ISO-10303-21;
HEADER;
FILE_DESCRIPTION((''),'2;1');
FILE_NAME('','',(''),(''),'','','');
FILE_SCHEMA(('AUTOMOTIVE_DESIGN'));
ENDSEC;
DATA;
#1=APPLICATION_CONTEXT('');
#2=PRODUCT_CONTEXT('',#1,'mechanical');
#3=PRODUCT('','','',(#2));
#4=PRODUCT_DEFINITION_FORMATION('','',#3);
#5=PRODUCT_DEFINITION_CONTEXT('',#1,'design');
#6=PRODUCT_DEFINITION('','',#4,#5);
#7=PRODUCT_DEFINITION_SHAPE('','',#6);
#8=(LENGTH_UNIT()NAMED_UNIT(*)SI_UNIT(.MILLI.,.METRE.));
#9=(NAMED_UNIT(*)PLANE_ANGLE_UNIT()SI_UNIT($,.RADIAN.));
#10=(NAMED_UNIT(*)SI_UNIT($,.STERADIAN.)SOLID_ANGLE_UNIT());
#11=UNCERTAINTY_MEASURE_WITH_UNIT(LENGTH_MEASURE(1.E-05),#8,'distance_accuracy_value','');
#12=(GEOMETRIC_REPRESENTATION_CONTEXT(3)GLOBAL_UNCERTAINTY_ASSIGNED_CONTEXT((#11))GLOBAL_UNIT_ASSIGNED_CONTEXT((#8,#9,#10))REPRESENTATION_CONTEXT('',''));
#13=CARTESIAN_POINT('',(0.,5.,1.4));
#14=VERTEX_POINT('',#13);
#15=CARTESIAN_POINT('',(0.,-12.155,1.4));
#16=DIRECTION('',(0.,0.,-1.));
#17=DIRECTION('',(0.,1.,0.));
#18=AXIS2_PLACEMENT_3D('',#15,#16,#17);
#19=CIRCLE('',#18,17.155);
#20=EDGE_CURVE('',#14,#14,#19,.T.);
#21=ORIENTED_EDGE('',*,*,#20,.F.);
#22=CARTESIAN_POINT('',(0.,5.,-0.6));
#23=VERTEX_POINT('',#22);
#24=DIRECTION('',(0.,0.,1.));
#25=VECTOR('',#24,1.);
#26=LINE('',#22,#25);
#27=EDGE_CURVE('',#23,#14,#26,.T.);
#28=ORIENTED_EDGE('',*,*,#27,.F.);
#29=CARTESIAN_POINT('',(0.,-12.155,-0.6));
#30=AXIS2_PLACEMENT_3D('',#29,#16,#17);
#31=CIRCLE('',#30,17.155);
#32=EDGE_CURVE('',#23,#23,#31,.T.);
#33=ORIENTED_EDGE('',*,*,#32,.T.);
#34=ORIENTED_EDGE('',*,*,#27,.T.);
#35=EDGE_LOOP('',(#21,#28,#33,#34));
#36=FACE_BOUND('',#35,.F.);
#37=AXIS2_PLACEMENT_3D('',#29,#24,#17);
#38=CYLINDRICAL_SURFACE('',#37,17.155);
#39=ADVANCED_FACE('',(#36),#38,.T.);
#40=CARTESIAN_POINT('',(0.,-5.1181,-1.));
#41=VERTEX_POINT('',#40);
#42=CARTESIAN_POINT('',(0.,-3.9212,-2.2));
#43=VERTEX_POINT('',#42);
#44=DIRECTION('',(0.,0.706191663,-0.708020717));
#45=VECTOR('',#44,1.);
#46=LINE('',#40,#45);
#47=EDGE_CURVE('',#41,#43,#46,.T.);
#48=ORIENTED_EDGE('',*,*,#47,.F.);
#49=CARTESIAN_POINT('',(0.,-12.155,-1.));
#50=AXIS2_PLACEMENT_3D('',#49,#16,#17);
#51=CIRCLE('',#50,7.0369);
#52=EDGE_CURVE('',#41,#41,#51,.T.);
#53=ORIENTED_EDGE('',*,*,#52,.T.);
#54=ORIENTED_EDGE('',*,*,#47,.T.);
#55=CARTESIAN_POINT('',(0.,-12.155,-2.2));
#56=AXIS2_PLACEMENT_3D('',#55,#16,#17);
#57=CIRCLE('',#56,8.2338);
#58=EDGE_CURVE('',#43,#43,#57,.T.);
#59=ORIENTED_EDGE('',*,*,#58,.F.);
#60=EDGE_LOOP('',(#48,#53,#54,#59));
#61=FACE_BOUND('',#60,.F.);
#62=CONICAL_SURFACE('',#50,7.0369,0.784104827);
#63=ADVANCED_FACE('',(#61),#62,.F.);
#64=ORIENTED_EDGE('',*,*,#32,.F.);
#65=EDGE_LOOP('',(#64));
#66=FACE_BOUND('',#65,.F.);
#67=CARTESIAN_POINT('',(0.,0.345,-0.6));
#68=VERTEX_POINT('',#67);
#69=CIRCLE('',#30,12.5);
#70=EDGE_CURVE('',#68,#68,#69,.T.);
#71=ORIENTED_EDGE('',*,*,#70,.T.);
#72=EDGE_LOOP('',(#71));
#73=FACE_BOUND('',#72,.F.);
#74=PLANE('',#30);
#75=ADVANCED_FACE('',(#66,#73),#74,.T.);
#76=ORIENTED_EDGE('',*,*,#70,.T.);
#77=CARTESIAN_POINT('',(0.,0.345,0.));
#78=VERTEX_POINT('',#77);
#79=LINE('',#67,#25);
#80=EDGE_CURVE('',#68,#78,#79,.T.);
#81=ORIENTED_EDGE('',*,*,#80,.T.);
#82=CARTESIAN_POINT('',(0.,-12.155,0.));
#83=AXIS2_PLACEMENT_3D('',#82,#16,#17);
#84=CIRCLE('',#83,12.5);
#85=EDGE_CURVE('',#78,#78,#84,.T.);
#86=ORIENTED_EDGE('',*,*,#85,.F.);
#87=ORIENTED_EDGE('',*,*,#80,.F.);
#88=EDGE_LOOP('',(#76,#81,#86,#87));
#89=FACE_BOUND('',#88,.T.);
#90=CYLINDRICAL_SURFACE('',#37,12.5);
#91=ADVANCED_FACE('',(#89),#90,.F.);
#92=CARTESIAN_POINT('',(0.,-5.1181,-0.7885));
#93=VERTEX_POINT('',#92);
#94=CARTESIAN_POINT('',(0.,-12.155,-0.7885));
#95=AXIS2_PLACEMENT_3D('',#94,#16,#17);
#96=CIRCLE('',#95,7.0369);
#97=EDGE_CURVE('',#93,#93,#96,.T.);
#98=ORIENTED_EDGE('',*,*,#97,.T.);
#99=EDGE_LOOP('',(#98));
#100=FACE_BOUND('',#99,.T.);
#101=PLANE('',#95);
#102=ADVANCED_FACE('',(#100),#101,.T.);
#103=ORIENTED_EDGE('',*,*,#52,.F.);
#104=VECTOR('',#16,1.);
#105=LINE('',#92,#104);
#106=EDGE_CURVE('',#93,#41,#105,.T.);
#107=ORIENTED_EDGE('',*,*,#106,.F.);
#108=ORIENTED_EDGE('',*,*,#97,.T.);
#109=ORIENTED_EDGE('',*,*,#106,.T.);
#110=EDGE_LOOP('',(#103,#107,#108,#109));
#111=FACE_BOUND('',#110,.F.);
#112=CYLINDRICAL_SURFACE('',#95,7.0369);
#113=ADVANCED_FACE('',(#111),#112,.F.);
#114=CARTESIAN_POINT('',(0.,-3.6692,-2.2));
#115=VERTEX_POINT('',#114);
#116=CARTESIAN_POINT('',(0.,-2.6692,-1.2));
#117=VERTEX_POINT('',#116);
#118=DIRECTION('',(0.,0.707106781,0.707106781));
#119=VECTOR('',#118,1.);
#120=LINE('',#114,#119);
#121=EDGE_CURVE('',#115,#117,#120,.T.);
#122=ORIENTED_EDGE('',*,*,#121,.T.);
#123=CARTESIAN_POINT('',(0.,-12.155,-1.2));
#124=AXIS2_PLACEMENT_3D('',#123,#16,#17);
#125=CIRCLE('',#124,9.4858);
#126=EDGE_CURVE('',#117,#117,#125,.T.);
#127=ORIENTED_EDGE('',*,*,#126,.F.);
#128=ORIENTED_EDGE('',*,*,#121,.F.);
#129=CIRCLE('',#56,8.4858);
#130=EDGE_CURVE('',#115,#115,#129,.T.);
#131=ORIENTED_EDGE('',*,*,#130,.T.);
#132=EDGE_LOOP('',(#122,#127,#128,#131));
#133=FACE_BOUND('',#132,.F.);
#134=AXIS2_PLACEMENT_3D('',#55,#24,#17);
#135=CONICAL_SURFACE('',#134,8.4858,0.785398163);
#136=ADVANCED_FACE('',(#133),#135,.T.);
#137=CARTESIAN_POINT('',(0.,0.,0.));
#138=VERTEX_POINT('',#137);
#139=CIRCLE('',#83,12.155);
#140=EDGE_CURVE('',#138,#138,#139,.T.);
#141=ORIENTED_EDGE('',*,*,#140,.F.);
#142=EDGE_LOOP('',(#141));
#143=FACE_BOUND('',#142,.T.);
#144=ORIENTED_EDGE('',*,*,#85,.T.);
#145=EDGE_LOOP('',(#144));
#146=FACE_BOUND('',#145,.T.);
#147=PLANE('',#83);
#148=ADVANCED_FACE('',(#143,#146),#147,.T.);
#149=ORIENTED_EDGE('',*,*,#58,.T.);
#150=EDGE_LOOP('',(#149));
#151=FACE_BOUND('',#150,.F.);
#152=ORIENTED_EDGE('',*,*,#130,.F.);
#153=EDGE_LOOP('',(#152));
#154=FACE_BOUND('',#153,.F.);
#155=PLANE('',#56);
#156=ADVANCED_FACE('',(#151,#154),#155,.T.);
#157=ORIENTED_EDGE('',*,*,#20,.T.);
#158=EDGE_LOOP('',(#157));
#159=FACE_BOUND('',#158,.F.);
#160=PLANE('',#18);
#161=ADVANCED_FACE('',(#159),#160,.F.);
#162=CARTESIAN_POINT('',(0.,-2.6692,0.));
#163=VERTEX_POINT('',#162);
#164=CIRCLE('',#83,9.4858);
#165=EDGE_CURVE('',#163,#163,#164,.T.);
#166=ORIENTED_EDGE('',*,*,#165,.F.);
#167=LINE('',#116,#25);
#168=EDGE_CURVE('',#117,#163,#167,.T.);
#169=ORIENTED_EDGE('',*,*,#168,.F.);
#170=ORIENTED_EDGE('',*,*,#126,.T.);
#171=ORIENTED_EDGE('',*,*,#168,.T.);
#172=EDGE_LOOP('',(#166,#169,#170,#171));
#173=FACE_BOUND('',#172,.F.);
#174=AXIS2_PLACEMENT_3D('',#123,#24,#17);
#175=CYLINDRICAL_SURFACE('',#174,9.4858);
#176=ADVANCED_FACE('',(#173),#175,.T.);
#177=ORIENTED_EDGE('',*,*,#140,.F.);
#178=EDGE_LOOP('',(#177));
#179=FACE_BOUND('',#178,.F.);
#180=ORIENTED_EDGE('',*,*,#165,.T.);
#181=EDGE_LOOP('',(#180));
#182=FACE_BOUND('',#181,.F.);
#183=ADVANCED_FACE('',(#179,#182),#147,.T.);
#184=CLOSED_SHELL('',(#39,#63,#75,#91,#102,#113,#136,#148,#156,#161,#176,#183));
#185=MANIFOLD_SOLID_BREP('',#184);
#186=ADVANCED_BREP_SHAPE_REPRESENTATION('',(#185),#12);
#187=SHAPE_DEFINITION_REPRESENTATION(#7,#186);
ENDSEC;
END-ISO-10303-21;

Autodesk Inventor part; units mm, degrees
ref_plane "YZ Plane" through (0, 0, 0) normal (1, 0, 0) x (0, 1, 0)
ref_plane "XZ Plane" through (0, 0, 0) normal (0, 1, 0) x (-1, 0, 0)
ref_plane "XY Plane" through (0, 0, 0) normal (0, 0, 1) x (1, 0, 0)
sketch "Skizze1" plane through (0, 0, 0) normal (1, 0, 0) x (0, 1, 0)
  line L0 (-20.6011, -1.9989) -> (-21.4, -1.2)
  line L1 (-21.4, -1.2) -> (-21.4, 0)
  line L2 (-25, 0) -> (-25, -0.6)
  line L3 (-22.8485, -0.6) -> (-20.8497, -2.5989)
  line L4 (0.345, -0.6) -> (5, -0.6)
  line L5 (5, -0.6) -> (5, 1.4)
  line L6 (-12.5, -6.6891) -> (-12.5, -2.8)
  line L7 (5, 1.4) -> (-12.155, 1.4)
  line L8 (-6.155, -0.8) -> (-6.155, -1) construction
  line L9 (-6.155, -1) -> (-18.155, -1) construction
  line L10 (-18.155, -1) -> (-18.155, -0.8) construction
  line L11 (-18.155, -0.8) -> (-13.2371, -0.918) construction
  line L12 (-12.155, 1.4) -> (-12.155, -0.7885)
  line L13 (-5.1181, -0.7885) -> (-5.1181, -1) construction
  line L14 (-5.1181, -0.7885) -> (-5.1181, -1) construction
  line L15 (-5.1181, -0.7885) -> (-5.1181, -1)
  line L16 (-6.155, -1) -> (-6.5167, -1)
  line L17 (-5.7914, -1.4086) -> (-6.1109, -1.0891)
  line L18 (-3.6, 0) -> (0, 0)
  line L19 (-5.7914, -1.4086) -> (-6.1109, -1.0891)
  line L20 (-19.1918, -1) -> (-5.1181, -1) projected
  line L21 (-5.1181, -0.7885) -> (-12.155, -0.7885)
  line L22 (-5.1181, -1) -> (-3.9212, -2.2)
  line L23 (-3.6692, -2.2) -> (-2.6692, -1.2) construction
  line L24 (-3.9212, -2.2) -> (-3.6692, -2.2)
  line L25 (-3.6692, -2.2) -> (-2.6692, -1.2)
  line L26 (-2.6692, -1.2) -> (-2.6692, 0)
  line L27 (0.345, 0) -> (0.345, -0.6) construction
  line L28 (0.345, -0.6) -> (0.345, 0)
  line L29 (0.345, 0) -> (-2.6692, 0)
  point P0 (0, -0.6)
  point P1 (-2.1515, -0.6)
  point P2 (-20.8023, -2.2)
  point P3 (-22.8485, -0.6)
  point P4 (-21.0508, -2.8)
  point P5 (-12.155, -1)
  point P6 (-5, -2.2)
  point P7 (-3.2, 0)
  dimension "d1" = 2
revolve "Umdrehung1" add sketch "Skizze1" angle 360 about axis through (0, -12.155, 1.4) along (0, 0, -1)
properties part number "50_ETL_Membrane_Mould_Lower_v0"
